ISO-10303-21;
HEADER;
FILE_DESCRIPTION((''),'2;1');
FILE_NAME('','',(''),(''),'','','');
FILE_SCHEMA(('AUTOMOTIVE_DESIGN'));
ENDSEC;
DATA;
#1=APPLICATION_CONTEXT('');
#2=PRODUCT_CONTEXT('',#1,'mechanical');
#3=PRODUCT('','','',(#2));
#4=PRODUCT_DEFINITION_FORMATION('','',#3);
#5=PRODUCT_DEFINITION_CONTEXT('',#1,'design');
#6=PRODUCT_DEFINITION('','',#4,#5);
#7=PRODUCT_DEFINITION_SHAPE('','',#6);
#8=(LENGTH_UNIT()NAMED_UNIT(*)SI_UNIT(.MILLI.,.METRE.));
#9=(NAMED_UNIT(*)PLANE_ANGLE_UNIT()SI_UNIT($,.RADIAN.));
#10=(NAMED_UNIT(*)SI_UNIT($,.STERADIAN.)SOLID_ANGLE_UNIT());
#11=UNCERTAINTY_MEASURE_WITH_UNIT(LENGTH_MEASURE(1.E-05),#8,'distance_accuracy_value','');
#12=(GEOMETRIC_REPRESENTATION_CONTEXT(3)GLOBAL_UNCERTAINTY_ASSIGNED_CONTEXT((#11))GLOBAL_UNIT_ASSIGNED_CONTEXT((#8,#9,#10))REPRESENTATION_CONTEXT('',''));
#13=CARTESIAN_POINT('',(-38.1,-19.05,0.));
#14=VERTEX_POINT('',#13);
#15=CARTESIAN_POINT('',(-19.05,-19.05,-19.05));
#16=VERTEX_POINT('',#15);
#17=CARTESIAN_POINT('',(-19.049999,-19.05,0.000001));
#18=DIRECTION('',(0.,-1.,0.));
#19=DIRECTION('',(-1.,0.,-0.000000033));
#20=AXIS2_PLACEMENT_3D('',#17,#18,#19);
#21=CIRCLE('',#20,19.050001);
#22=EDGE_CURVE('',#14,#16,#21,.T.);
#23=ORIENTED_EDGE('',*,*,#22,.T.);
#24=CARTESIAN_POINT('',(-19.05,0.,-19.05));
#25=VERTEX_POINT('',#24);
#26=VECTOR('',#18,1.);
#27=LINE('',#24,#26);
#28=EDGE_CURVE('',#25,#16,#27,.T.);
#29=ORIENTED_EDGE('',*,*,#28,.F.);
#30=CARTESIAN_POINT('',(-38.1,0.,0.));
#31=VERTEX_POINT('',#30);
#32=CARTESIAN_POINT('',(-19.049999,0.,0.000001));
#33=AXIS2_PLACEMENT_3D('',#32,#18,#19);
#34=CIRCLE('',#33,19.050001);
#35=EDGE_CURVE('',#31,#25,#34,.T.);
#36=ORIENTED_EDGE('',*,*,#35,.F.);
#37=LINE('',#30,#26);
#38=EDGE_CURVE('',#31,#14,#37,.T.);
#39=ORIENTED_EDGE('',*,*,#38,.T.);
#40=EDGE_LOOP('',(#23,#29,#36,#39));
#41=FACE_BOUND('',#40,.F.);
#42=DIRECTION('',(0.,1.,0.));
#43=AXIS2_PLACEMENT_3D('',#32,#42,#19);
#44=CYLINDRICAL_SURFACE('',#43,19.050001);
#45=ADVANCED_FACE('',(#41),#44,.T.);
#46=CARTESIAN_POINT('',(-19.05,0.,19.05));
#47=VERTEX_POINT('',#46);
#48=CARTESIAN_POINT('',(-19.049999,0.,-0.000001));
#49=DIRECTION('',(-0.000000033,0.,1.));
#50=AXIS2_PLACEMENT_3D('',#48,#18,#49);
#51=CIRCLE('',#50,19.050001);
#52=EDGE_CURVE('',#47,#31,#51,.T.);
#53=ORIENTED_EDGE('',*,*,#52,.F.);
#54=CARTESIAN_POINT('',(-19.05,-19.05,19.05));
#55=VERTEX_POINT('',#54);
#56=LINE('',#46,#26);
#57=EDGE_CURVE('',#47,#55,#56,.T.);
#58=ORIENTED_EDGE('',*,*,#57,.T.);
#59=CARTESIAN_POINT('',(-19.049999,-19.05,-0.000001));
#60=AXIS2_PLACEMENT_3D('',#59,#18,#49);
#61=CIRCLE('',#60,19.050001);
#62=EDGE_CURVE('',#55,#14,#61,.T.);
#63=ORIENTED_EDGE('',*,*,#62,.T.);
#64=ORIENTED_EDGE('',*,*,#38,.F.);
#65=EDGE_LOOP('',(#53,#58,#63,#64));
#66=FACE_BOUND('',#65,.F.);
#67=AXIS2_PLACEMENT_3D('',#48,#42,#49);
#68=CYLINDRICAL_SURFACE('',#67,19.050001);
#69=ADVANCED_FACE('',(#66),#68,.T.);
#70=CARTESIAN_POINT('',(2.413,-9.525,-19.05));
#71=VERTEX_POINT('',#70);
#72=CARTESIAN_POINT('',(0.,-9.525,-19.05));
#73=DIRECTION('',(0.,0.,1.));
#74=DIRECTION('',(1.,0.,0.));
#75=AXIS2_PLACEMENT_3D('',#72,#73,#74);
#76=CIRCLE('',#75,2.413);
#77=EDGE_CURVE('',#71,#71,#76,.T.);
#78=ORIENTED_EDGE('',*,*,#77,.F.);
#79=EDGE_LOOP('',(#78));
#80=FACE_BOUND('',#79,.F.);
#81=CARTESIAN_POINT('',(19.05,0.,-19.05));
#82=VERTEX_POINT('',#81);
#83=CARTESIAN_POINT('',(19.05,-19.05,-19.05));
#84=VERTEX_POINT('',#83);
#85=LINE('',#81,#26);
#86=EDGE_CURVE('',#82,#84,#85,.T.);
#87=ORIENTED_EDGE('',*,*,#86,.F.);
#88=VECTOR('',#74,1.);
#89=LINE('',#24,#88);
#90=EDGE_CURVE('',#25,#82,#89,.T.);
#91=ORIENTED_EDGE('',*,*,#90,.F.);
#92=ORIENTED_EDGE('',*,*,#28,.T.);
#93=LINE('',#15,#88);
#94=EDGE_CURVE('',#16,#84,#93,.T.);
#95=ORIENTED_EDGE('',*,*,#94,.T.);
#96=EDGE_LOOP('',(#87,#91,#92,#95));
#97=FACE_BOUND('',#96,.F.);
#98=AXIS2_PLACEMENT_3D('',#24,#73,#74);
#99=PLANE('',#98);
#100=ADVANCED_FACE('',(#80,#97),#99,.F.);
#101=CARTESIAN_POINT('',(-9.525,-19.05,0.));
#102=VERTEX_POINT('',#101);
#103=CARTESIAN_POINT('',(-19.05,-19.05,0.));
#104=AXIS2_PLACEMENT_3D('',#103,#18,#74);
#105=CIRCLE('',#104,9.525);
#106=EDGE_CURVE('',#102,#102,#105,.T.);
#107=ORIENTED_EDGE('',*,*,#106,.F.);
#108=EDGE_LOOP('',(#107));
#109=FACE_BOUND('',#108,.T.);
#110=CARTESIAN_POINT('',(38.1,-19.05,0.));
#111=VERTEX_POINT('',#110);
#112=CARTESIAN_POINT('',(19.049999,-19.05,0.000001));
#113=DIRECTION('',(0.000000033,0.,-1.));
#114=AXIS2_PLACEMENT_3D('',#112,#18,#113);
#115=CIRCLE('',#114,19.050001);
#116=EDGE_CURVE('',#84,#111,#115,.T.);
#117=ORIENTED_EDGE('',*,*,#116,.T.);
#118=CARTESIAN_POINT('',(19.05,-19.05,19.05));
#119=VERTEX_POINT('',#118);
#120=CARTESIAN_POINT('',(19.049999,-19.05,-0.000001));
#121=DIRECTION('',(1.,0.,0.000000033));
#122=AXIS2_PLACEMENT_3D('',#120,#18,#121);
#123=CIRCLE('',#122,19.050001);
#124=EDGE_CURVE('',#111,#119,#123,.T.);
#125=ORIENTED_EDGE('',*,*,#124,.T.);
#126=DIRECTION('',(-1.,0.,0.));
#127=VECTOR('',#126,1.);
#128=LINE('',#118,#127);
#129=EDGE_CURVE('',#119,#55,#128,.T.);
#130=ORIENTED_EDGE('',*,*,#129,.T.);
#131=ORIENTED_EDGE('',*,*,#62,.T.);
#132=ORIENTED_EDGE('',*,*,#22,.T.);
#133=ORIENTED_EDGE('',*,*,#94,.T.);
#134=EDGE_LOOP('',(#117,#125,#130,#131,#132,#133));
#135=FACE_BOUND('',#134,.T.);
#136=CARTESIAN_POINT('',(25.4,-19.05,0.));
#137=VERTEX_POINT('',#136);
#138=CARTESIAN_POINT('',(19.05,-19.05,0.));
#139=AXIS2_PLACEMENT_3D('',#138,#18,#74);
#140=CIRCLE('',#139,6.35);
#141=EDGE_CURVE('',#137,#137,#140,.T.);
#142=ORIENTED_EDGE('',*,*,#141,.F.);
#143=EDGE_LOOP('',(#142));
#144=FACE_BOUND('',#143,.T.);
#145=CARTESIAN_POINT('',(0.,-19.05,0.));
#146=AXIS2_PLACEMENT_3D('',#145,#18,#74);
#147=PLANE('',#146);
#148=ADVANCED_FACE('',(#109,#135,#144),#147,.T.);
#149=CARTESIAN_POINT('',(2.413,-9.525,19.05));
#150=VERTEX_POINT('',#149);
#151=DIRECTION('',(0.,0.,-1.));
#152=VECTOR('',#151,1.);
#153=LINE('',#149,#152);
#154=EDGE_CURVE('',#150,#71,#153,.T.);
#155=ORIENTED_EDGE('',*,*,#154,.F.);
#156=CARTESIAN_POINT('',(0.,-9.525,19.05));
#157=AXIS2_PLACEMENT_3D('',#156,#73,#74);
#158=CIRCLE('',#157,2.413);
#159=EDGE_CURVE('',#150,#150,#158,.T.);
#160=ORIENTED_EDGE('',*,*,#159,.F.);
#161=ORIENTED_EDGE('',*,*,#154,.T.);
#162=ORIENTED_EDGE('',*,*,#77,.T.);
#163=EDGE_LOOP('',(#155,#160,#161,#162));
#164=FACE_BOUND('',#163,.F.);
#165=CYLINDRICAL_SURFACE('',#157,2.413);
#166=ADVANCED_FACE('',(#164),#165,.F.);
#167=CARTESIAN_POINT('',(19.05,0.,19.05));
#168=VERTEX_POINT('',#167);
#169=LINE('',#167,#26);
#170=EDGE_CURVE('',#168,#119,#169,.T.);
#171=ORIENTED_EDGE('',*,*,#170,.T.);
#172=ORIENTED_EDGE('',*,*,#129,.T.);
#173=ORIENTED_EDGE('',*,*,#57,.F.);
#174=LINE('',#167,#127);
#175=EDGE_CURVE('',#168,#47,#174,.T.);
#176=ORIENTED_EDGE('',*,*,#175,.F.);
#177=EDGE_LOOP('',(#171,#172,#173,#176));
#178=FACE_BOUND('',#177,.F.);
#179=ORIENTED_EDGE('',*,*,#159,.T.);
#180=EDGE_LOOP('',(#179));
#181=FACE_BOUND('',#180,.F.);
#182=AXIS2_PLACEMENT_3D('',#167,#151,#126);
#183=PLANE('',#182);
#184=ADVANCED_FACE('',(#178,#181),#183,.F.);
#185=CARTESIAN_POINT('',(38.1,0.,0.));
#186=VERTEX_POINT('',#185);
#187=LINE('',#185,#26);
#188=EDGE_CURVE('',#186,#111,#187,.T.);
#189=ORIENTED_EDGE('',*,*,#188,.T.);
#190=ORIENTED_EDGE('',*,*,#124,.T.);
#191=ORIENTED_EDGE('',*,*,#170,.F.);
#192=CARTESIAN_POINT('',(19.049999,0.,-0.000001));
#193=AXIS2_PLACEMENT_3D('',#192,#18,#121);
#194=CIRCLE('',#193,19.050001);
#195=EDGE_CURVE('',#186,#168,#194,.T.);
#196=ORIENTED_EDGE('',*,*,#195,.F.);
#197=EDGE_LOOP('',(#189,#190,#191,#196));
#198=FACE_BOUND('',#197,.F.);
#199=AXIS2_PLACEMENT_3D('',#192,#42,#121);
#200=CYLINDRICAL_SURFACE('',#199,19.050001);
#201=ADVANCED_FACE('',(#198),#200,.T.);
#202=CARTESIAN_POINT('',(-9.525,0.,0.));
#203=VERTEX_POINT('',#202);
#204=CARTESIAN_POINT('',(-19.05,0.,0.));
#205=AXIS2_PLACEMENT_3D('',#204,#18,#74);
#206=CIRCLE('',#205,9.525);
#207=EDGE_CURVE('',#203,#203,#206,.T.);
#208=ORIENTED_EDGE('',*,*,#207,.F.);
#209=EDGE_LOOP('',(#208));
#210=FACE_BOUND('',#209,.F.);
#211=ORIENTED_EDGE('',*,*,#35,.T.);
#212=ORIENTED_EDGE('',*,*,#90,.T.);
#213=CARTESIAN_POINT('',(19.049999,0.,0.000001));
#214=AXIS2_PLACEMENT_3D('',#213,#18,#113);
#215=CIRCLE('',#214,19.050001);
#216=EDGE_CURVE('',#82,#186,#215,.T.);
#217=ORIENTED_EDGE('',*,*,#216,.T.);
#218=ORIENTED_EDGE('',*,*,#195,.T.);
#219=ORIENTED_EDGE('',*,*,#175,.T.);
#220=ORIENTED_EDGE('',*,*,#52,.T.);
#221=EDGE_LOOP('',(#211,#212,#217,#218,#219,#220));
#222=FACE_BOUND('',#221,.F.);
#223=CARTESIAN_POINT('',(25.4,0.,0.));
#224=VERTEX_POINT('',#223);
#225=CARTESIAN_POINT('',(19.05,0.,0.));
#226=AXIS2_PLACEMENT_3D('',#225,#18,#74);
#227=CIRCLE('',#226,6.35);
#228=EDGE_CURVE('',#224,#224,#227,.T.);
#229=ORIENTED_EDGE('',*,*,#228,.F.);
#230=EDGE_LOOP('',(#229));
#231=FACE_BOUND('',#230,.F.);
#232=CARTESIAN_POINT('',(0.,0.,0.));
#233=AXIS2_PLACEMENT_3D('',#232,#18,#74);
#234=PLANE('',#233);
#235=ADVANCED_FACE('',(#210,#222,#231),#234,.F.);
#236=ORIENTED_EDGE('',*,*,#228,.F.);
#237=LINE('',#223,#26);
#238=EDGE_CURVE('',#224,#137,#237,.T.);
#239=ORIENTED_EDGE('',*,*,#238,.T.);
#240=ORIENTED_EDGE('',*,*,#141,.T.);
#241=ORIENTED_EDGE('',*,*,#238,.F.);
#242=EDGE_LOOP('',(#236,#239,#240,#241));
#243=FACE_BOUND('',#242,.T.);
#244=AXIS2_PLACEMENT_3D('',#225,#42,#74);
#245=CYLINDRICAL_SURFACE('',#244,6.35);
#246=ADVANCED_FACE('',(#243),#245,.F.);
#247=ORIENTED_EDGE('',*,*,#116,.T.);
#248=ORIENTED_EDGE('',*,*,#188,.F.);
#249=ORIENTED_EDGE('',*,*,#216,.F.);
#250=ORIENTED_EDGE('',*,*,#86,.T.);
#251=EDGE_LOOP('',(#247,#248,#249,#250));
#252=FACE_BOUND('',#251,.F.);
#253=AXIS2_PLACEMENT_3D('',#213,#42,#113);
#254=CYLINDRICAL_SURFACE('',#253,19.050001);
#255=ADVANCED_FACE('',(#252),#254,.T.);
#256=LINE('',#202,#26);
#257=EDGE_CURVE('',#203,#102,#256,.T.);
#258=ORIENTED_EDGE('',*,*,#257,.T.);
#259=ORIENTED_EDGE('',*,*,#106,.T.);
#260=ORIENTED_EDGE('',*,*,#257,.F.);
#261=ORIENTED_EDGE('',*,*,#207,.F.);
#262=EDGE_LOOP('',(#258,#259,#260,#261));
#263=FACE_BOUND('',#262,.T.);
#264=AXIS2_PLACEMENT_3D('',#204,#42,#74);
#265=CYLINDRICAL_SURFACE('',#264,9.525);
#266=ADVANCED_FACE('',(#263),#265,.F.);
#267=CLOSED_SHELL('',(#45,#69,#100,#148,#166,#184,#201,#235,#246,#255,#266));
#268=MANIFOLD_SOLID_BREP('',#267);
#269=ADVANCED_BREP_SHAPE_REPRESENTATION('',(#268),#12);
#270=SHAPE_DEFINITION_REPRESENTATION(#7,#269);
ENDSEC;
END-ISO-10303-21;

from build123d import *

# Parameters (mm, degrees)
F0_R     = 9.525
F0_R_2   = 6.35
F1_DEPTH = 19.05
F2_R     = 2.413
F3_DEPTH = 38.1


with BuildPart() as f1:
    # F0 (on Front) → F1 (new body)
    with BuildSketch(Plane.XZ):
        with BuildLine():
            ThreePointArc((38.1, 0), (32.520384, 13.470384), (19.05, 19.05))
            Line((19.05, 19.05), (-19.05, 19.05))
            ThreePointArc((-19.05, 19.05), (-32.520384, 13.470384), (-38.1, 0))
            ThreePointArc((-38.1, 0), (-32.520384, -13.470384), (-19.05, -19.05))
            Line((-19.05, -19.05), (19.05, -19.05))
            ThreePointArc((19.05, -19.05), (32.520384, -13.470384), (38.1, 0))
        make_face()
        with Locations((-19.05, 0)):
            Circle(F0_R, mode=Mode.SUBTRACT)
        with Locations((19.05, 0)):
            Circle(F0_R_2, mode=Mode.SUBTRACT)
    extrude(amount=F1_DEPTH)

    # F2 (on face) → F3 (cut)
    with BuildSketch(Plane.XY.offset(19.05)):
        with Locations((0, -9.525)):
            Circle(F2_R)
    extrude(amount=-F3_DEPTH, mode=Mode.SUBTRACT)


solid = f1.part
